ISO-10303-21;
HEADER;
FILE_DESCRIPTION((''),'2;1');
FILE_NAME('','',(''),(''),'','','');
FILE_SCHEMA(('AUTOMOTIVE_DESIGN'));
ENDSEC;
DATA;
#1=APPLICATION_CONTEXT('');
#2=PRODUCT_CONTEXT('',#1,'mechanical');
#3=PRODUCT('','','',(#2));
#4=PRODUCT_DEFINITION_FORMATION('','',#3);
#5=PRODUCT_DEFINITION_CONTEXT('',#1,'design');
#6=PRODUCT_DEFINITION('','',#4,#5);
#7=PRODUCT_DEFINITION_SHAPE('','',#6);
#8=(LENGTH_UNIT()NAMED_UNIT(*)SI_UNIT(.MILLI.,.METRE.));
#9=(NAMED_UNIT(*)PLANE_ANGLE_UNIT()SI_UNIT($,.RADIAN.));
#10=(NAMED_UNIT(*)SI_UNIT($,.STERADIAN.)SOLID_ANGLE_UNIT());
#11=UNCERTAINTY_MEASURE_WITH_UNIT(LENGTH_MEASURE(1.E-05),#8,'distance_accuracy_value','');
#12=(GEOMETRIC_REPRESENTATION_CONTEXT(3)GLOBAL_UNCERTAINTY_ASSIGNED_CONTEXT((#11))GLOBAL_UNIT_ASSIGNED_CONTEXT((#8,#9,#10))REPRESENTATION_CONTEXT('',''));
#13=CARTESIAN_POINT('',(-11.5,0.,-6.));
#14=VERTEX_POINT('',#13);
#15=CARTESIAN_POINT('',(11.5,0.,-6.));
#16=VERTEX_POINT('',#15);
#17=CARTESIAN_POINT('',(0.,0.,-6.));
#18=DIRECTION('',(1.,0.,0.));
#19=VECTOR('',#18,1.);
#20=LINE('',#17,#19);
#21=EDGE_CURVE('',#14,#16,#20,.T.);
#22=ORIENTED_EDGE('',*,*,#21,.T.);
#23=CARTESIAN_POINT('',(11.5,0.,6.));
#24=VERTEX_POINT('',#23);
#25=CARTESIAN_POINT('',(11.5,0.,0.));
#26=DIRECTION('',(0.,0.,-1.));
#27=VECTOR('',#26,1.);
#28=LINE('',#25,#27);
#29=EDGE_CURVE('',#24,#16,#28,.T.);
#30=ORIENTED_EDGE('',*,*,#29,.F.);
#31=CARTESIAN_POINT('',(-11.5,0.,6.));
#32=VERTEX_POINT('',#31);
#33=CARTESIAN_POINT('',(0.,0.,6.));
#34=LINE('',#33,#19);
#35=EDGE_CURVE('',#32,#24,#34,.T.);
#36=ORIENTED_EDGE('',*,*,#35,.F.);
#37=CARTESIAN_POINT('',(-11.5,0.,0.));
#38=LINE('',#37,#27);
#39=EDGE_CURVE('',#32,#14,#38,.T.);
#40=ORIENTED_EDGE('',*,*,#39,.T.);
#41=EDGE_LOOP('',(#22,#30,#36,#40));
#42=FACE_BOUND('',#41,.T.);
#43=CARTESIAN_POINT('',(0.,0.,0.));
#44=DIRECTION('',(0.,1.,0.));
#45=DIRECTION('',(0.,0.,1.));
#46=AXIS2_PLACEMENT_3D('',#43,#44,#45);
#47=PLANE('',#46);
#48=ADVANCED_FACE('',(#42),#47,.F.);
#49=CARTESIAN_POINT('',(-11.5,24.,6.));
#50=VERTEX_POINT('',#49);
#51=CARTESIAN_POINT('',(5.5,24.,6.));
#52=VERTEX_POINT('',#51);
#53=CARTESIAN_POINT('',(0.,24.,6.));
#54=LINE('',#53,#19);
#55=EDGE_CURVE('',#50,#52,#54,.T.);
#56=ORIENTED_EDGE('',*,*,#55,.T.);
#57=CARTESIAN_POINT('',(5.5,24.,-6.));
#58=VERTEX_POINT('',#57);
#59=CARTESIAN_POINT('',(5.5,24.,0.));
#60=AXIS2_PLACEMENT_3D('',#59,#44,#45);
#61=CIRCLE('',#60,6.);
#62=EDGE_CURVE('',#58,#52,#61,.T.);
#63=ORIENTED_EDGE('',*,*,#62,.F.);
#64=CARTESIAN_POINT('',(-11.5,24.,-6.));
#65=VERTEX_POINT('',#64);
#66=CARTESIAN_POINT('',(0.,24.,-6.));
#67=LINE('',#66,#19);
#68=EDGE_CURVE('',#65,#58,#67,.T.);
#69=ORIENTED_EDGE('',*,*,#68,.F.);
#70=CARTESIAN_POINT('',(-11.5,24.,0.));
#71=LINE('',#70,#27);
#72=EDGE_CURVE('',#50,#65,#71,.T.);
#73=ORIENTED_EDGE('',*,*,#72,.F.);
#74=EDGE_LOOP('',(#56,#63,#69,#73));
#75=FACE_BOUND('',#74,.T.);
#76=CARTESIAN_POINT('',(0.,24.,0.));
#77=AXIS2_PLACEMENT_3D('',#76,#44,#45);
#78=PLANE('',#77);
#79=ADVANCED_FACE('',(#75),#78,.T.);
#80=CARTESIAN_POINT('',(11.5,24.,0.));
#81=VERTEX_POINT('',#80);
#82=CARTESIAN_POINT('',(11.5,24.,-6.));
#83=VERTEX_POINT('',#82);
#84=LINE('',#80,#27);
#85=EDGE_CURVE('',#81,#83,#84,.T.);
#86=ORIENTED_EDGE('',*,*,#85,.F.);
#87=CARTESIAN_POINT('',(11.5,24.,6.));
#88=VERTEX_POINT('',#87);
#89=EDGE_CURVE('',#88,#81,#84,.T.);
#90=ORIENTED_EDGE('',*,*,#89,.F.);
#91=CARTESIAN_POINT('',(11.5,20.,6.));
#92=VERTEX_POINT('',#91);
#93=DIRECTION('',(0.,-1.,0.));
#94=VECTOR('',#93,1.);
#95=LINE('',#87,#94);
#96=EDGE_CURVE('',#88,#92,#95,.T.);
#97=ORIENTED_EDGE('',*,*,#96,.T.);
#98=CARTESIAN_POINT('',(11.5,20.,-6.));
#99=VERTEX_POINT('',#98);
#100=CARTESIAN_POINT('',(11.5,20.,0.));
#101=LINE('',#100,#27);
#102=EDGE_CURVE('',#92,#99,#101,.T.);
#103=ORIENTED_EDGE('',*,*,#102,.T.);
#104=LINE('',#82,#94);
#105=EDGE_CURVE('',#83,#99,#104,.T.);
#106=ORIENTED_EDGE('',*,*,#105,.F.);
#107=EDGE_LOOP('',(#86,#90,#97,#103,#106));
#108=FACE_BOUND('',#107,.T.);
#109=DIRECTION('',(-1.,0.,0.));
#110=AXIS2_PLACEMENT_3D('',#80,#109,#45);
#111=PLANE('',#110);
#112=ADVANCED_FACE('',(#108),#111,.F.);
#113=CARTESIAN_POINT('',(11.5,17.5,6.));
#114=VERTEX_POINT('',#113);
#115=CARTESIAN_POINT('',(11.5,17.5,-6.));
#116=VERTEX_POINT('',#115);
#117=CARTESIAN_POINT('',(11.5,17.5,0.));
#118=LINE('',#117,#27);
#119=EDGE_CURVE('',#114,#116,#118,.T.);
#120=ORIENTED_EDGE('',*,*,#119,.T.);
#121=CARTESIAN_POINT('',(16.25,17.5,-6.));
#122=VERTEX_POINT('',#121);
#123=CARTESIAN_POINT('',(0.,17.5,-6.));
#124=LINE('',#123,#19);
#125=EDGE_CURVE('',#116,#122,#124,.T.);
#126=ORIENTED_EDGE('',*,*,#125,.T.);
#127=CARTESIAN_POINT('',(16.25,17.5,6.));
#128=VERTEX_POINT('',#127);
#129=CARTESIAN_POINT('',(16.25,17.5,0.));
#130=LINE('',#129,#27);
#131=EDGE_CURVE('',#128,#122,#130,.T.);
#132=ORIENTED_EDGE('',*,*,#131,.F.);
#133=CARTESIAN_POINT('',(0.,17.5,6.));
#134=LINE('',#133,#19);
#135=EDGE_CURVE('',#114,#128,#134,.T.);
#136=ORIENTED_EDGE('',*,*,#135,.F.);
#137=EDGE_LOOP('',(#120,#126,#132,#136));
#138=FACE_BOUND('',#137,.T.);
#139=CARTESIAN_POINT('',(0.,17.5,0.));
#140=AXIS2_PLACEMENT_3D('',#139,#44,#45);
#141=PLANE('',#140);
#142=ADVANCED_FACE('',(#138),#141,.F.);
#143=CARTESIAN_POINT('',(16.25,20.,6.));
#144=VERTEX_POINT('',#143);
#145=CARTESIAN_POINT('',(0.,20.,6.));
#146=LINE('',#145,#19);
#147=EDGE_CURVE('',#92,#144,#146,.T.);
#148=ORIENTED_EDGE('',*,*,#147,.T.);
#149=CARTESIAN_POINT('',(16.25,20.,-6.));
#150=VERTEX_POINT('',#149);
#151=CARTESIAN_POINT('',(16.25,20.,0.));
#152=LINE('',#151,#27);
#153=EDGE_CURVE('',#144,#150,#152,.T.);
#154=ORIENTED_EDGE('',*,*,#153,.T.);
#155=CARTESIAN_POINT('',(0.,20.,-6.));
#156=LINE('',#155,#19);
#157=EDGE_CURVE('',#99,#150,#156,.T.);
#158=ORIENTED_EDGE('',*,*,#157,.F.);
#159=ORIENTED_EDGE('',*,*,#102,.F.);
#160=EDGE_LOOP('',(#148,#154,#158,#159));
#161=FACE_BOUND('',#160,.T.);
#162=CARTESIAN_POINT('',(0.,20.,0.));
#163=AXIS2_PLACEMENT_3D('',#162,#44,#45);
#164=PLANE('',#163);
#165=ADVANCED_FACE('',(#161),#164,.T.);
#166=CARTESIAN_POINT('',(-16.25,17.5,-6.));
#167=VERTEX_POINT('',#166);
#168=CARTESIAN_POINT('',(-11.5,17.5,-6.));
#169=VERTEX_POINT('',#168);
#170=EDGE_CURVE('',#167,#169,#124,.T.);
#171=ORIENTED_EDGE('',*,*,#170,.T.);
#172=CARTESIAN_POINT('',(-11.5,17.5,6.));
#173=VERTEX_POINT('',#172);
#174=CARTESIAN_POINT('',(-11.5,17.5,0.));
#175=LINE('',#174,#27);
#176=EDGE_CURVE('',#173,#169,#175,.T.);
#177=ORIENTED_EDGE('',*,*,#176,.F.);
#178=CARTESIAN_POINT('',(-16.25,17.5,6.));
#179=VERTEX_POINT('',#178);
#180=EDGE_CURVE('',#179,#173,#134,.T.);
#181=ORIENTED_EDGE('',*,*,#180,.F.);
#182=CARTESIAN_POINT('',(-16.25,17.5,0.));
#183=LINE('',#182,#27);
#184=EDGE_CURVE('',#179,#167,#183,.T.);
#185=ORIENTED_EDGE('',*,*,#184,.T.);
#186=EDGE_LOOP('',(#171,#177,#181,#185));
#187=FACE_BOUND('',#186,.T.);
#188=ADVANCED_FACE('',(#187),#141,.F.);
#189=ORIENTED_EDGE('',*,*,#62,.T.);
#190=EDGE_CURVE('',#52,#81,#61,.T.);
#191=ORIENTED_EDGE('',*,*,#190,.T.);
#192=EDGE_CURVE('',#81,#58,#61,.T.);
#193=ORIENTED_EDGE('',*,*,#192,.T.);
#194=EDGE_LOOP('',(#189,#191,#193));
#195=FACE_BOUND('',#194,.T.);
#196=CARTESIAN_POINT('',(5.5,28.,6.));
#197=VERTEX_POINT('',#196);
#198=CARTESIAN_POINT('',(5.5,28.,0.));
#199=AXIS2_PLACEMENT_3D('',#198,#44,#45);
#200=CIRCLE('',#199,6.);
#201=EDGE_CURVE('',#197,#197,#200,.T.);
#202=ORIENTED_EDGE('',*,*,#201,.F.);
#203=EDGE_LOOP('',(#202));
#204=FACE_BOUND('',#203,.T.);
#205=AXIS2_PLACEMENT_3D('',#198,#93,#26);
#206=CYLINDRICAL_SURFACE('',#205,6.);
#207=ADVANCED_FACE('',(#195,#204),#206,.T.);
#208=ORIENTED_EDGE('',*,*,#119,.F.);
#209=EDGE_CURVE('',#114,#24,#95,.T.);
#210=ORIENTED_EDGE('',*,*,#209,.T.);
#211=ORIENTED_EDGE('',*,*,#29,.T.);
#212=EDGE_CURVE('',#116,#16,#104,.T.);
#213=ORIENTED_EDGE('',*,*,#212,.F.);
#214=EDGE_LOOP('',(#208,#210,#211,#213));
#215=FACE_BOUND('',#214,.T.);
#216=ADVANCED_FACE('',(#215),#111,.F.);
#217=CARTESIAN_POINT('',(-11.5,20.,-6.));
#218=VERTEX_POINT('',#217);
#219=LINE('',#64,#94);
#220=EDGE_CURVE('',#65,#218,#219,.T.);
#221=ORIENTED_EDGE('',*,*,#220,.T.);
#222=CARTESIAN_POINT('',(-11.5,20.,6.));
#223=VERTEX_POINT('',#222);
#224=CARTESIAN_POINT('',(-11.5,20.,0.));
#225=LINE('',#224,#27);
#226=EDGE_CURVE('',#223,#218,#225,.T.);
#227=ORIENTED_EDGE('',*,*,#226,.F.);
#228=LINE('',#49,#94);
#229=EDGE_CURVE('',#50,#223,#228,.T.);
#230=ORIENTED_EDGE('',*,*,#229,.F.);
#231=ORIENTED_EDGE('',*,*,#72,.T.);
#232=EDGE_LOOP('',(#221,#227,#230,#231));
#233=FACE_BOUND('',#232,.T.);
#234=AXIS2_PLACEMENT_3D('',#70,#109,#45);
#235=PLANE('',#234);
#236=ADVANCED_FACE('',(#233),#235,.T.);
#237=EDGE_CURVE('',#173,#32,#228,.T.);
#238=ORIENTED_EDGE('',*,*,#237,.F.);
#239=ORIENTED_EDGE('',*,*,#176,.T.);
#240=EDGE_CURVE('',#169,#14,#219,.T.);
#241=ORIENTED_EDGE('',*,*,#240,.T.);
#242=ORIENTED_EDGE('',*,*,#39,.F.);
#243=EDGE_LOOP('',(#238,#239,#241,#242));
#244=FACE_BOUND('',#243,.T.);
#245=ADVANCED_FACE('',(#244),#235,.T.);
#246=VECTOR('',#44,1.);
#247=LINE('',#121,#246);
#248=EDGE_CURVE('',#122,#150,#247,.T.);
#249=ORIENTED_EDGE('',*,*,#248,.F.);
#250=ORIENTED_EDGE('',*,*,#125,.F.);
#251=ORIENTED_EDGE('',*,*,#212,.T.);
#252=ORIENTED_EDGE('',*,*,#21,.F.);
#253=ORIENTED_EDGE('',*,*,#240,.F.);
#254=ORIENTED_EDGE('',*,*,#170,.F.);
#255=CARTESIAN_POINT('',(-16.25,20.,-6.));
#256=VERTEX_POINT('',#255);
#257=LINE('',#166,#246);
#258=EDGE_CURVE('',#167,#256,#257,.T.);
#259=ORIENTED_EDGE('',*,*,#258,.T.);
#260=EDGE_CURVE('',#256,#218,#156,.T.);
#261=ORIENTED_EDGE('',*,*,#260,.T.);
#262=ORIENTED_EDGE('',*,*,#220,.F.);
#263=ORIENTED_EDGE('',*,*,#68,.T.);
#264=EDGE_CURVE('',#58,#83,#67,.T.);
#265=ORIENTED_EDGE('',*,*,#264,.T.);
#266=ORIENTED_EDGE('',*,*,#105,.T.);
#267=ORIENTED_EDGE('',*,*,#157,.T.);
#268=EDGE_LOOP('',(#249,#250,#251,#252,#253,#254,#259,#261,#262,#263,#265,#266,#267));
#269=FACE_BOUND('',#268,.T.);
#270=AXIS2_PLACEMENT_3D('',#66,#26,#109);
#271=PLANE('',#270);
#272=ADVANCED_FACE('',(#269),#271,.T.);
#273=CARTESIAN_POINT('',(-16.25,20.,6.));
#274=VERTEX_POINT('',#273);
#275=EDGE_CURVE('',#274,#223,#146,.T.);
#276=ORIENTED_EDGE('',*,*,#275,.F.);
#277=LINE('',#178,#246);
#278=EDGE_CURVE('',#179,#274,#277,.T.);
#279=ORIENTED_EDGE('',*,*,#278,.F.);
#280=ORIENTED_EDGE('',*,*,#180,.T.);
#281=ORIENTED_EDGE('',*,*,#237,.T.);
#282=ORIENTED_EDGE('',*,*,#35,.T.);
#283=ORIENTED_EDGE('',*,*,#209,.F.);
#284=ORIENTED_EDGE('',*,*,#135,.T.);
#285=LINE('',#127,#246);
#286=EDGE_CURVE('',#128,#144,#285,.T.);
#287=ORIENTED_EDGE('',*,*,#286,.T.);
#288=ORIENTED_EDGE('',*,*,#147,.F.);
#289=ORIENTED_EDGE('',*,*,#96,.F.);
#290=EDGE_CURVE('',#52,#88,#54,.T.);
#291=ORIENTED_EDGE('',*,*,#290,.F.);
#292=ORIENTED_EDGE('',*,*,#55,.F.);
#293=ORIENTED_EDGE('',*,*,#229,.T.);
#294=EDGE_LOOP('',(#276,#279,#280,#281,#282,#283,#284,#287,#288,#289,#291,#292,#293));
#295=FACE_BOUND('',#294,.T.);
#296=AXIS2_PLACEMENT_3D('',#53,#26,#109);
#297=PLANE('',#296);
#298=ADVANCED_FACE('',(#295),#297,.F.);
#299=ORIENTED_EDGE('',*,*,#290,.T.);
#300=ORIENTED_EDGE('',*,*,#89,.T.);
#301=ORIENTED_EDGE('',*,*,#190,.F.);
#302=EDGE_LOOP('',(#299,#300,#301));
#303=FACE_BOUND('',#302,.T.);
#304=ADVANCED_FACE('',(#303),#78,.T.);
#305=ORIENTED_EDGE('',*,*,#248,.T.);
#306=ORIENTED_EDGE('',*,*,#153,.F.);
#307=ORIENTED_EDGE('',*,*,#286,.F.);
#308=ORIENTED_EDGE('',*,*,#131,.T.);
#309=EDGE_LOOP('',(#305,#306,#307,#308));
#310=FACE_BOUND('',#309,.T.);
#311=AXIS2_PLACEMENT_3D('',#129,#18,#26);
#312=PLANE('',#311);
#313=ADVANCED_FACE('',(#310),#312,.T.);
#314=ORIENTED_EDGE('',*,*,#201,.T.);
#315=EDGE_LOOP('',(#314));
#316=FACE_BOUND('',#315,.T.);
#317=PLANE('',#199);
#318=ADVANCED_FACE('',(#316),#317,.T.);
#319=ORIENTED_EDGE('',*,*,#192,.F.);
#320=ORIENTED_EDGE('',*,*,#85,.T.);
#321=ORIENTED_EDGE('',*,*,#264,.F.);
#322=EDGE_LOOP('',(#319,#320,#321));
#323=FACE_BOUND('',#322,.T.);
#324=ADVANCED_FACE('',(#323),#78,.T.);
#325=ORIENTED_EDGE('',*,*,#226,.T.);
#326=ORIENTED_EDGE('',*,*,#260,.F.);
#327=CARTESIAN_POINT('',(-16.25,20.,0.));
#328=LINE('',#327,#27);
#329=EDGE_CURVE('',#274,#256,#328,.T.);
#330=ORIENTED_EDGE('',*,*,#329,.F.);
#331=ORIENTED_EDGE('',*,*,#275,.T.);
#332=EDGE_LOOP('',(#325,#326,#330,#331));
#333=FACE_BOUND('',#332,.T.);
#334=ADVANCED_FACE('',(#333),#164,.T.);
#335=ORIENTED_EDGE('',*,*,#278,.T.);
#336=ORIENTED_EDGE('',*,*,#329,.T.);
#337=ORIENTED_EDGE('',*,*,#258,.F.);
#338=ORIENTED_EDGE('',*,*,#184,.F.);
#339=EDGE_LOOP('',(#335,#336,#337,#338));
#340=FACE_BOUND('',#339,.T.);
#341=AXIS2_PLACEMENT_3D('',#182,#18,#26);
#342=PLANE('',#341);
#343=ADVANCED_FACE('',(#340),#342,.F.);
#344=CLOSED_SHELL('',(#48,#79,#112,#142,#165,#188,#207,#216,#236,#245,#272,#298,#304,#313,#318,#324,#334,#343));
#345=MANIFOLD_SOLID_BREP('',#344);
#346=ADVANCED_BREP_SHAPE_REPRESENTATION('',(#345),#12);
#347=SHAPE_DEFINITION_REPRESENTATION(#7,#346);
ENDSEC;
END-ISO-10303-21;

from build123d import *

# Parameters (mm, degrees)
SKETCH1_R           = 6
BOSS_EXTRUDE1_DEPTH = 24
BOSS_EXTRUDE2_START = 24
SKETCH1_3_R         = 6
BOSS_EXTRUDE2_DEPTH = 4
BOSS_EXTRUDE3_START = 20
SKETCH1_4_W         = 32.5
SKETCH1_4_H         = 12
BOSS_EXTRUDE3_DEPTH = 2.5


with BuildPart() as part:
    # Sketch1 → Boss-Extrude1 (new body)
    with BuildSketch(Plane(origin=(0, 0, 0), x_dir=(1, 0, 0), z_dir=(0, 1, 0))):
        with BuildLine():
            Line((-11.5, 6), (-11.5, -6))
            Line((-11.5, -6), (5.5, -6))
            ThreePointArc((5.5, -6), (-0.5, -3e-09), (5.499999994, 6))
            Line((5.499999994, 6), (-11.5, 6))
        make_face()
        with Locations((5.5, 0)):
            Circle(SKETCH1_R)
        with BuildLine():
            Line((11.5, 6), (5.499999994, 6))
            ThreePointArc((5.499999994, 6), (9.742640685, 4.242640689), (11.5, 0))
            Line((11.5, 0), (11.5, 6))
        make_face()
        with BuildLine():
            ThreePointArc((11.5, 0), (9.742640687, -4.242640687), (5.5, -6))
            Line((5.5, -6), (11.5, -6))
            Line((11.5, -6), (11.5, 0))
        make_face()
    extrude(amount=BOSS_EXTRUDE1_DEPTH)

    # Sketch1<3> → Boss-Extrude2 (add)
    with BuildSketch(Plane(origin=(0, 0, 0), x_dir=(1, 0, 0), z_dir=(0, 1, 0)).offset(BOSS_EXTRUDE2_START)):
        with Locations((5.5, 0)):
            Circle(SKETCH1_3_R)
    extrude(amount=BOSS_EXTRUDE2_DEPTH)

    # Sketch1<4> → Boss-Extrude3 (add)
    with BuildSketch(Plane(origin=(0, 0, 0), x_dir=(1, 0, 0), z_dir=(0, 1, 0)).offset(BOSS_EXTRUDE3_START)):
        Rectangle(SKETCH1_4_W, SKETCH1_4_H)
    extrude(amount=-BOSS_EXTRUDE3_DEPTH)


solid = part.part
